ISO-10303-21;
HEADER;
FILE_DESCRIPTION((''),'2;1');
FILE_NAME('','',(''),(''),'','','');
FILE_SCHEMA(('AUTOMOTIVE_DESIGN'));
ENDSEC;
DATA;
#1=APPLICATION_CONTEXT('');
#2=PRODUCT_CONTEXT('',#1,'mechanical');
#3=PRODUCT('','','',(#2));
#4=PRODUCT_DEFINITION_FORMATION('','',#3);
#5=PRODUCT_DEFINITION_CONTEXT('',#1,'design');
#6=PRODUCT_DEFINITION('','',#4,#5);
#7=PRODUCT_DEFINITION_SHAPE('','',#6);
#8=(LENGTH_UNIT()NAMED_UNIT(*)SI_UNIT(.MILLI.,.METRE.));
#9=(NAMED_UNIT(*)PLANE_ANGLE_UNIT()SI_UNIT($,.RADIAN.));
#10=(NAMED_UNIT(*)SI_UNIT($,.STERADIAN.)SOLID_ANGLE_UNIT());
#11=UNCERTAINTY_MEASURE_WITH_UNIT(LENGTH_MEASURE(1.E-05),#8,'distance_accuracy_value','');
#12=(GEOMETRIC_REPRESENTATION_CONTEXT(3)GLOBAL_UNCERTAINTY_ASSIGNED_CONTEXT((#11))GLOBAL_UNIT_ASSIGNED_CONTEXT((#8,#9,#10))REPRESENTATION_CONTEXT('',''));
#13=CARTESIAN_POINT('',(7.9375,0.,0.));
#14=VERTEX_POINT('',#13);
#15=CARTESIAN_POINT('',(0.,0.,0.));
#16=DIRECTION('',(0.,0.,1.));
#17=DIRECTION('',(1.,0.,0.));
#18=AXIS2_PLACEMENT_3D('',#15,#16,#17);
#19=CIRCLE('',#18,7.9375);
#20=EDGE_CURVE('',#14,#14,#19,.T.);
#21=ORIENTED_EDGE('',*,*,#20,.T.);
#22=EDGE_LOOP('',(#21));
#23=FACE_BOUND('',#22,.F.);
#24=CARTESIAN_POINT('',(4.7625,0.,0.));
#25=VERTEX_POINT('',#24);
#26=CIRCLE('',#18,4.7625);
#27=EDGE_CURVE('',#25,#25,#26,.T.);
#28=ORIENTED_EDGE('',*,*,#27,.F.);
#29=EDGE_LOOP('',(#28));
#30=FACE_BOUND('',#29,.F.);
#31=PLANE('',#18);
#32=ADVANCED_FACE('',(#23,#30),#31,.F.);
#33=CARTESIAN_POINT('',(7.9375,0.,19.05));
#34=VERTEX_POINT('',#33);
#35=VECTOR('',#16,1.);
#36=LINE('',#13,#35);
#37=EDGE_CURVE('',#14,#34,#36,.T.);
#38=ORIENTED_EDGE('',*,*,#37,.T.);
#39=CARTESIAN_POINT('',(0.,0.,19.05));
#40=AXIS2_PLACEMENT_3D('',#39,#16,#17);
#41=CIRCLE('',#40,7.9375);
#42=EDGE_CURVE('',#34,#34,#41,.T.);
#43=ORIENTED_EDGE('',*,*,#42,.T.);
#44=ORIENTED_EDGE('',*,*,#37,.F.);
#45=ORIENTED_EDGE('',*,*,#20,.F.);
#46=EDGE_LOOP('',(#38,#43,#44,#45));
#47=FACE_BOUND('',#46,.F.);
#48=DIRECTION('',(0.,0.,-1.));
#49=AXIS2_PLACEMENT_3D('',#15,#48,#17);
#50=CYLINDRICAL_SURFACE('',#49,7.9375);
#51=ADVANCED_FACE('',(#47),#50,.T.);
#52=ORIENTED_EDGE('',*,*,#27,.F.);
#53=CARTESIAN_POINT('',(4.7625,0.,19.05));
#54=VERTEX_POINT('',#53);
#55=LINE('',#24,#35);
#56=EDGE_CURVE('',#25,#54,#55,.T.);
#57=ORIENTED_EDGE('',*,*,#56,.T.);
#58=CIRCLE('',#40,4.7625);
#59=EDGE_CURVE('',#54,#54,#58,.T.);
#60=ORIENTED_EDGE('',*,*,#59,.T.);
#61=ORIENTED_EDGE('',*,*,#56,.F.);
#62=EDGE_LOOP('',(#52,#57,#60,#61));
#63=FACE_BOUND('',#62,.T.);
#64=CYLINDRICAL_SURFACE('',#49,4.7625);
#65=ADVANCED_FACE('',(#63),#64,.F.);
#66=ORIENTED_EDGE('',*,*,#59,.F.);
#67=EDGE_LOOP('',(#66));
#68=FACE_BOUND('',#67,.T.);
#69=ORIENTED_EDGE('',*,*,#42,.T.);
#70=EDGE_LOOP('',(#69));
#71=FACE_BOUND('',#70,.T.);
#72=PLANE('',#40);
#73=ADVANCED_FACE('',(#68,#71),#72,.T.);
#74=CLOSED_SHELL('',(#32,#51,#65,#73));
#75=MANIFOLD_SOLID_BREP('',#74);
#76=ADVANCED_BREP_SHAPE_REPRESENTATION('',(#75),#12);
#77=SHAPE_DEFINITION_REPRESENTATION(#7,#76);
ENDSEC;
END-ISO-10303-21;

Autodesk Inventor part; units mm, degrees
ref_plane "YZ Plane" through (0, 0, 0) normal (1, 0, 0) x (0, 1, 0)
ref_plane "XZ Plane" through (0, 0, 0) normal (0, 1, 0) x (-1, 0, 0)
ref_plane "XY Plane" through (0, 0, 0) normal (0, 0, 1) x (1, 0, 0)
sketch "Sketch1" plane through (0, 0, 0) normal (0, 0, 1) x (1, 0, 0)
  circle A0 centre (0, 0) radius 4.7625
  circle A1 centre (0, 0) radius 7.9375
  dimension "d0" = 9.525
  dimension "d1" = 15.875
extrude "Extrusion1" add sketch "Sketch1" along normal blind 19.05
properties part number "Climber Polycarbonate Spacer" material "Polycarbonate, Clear"
